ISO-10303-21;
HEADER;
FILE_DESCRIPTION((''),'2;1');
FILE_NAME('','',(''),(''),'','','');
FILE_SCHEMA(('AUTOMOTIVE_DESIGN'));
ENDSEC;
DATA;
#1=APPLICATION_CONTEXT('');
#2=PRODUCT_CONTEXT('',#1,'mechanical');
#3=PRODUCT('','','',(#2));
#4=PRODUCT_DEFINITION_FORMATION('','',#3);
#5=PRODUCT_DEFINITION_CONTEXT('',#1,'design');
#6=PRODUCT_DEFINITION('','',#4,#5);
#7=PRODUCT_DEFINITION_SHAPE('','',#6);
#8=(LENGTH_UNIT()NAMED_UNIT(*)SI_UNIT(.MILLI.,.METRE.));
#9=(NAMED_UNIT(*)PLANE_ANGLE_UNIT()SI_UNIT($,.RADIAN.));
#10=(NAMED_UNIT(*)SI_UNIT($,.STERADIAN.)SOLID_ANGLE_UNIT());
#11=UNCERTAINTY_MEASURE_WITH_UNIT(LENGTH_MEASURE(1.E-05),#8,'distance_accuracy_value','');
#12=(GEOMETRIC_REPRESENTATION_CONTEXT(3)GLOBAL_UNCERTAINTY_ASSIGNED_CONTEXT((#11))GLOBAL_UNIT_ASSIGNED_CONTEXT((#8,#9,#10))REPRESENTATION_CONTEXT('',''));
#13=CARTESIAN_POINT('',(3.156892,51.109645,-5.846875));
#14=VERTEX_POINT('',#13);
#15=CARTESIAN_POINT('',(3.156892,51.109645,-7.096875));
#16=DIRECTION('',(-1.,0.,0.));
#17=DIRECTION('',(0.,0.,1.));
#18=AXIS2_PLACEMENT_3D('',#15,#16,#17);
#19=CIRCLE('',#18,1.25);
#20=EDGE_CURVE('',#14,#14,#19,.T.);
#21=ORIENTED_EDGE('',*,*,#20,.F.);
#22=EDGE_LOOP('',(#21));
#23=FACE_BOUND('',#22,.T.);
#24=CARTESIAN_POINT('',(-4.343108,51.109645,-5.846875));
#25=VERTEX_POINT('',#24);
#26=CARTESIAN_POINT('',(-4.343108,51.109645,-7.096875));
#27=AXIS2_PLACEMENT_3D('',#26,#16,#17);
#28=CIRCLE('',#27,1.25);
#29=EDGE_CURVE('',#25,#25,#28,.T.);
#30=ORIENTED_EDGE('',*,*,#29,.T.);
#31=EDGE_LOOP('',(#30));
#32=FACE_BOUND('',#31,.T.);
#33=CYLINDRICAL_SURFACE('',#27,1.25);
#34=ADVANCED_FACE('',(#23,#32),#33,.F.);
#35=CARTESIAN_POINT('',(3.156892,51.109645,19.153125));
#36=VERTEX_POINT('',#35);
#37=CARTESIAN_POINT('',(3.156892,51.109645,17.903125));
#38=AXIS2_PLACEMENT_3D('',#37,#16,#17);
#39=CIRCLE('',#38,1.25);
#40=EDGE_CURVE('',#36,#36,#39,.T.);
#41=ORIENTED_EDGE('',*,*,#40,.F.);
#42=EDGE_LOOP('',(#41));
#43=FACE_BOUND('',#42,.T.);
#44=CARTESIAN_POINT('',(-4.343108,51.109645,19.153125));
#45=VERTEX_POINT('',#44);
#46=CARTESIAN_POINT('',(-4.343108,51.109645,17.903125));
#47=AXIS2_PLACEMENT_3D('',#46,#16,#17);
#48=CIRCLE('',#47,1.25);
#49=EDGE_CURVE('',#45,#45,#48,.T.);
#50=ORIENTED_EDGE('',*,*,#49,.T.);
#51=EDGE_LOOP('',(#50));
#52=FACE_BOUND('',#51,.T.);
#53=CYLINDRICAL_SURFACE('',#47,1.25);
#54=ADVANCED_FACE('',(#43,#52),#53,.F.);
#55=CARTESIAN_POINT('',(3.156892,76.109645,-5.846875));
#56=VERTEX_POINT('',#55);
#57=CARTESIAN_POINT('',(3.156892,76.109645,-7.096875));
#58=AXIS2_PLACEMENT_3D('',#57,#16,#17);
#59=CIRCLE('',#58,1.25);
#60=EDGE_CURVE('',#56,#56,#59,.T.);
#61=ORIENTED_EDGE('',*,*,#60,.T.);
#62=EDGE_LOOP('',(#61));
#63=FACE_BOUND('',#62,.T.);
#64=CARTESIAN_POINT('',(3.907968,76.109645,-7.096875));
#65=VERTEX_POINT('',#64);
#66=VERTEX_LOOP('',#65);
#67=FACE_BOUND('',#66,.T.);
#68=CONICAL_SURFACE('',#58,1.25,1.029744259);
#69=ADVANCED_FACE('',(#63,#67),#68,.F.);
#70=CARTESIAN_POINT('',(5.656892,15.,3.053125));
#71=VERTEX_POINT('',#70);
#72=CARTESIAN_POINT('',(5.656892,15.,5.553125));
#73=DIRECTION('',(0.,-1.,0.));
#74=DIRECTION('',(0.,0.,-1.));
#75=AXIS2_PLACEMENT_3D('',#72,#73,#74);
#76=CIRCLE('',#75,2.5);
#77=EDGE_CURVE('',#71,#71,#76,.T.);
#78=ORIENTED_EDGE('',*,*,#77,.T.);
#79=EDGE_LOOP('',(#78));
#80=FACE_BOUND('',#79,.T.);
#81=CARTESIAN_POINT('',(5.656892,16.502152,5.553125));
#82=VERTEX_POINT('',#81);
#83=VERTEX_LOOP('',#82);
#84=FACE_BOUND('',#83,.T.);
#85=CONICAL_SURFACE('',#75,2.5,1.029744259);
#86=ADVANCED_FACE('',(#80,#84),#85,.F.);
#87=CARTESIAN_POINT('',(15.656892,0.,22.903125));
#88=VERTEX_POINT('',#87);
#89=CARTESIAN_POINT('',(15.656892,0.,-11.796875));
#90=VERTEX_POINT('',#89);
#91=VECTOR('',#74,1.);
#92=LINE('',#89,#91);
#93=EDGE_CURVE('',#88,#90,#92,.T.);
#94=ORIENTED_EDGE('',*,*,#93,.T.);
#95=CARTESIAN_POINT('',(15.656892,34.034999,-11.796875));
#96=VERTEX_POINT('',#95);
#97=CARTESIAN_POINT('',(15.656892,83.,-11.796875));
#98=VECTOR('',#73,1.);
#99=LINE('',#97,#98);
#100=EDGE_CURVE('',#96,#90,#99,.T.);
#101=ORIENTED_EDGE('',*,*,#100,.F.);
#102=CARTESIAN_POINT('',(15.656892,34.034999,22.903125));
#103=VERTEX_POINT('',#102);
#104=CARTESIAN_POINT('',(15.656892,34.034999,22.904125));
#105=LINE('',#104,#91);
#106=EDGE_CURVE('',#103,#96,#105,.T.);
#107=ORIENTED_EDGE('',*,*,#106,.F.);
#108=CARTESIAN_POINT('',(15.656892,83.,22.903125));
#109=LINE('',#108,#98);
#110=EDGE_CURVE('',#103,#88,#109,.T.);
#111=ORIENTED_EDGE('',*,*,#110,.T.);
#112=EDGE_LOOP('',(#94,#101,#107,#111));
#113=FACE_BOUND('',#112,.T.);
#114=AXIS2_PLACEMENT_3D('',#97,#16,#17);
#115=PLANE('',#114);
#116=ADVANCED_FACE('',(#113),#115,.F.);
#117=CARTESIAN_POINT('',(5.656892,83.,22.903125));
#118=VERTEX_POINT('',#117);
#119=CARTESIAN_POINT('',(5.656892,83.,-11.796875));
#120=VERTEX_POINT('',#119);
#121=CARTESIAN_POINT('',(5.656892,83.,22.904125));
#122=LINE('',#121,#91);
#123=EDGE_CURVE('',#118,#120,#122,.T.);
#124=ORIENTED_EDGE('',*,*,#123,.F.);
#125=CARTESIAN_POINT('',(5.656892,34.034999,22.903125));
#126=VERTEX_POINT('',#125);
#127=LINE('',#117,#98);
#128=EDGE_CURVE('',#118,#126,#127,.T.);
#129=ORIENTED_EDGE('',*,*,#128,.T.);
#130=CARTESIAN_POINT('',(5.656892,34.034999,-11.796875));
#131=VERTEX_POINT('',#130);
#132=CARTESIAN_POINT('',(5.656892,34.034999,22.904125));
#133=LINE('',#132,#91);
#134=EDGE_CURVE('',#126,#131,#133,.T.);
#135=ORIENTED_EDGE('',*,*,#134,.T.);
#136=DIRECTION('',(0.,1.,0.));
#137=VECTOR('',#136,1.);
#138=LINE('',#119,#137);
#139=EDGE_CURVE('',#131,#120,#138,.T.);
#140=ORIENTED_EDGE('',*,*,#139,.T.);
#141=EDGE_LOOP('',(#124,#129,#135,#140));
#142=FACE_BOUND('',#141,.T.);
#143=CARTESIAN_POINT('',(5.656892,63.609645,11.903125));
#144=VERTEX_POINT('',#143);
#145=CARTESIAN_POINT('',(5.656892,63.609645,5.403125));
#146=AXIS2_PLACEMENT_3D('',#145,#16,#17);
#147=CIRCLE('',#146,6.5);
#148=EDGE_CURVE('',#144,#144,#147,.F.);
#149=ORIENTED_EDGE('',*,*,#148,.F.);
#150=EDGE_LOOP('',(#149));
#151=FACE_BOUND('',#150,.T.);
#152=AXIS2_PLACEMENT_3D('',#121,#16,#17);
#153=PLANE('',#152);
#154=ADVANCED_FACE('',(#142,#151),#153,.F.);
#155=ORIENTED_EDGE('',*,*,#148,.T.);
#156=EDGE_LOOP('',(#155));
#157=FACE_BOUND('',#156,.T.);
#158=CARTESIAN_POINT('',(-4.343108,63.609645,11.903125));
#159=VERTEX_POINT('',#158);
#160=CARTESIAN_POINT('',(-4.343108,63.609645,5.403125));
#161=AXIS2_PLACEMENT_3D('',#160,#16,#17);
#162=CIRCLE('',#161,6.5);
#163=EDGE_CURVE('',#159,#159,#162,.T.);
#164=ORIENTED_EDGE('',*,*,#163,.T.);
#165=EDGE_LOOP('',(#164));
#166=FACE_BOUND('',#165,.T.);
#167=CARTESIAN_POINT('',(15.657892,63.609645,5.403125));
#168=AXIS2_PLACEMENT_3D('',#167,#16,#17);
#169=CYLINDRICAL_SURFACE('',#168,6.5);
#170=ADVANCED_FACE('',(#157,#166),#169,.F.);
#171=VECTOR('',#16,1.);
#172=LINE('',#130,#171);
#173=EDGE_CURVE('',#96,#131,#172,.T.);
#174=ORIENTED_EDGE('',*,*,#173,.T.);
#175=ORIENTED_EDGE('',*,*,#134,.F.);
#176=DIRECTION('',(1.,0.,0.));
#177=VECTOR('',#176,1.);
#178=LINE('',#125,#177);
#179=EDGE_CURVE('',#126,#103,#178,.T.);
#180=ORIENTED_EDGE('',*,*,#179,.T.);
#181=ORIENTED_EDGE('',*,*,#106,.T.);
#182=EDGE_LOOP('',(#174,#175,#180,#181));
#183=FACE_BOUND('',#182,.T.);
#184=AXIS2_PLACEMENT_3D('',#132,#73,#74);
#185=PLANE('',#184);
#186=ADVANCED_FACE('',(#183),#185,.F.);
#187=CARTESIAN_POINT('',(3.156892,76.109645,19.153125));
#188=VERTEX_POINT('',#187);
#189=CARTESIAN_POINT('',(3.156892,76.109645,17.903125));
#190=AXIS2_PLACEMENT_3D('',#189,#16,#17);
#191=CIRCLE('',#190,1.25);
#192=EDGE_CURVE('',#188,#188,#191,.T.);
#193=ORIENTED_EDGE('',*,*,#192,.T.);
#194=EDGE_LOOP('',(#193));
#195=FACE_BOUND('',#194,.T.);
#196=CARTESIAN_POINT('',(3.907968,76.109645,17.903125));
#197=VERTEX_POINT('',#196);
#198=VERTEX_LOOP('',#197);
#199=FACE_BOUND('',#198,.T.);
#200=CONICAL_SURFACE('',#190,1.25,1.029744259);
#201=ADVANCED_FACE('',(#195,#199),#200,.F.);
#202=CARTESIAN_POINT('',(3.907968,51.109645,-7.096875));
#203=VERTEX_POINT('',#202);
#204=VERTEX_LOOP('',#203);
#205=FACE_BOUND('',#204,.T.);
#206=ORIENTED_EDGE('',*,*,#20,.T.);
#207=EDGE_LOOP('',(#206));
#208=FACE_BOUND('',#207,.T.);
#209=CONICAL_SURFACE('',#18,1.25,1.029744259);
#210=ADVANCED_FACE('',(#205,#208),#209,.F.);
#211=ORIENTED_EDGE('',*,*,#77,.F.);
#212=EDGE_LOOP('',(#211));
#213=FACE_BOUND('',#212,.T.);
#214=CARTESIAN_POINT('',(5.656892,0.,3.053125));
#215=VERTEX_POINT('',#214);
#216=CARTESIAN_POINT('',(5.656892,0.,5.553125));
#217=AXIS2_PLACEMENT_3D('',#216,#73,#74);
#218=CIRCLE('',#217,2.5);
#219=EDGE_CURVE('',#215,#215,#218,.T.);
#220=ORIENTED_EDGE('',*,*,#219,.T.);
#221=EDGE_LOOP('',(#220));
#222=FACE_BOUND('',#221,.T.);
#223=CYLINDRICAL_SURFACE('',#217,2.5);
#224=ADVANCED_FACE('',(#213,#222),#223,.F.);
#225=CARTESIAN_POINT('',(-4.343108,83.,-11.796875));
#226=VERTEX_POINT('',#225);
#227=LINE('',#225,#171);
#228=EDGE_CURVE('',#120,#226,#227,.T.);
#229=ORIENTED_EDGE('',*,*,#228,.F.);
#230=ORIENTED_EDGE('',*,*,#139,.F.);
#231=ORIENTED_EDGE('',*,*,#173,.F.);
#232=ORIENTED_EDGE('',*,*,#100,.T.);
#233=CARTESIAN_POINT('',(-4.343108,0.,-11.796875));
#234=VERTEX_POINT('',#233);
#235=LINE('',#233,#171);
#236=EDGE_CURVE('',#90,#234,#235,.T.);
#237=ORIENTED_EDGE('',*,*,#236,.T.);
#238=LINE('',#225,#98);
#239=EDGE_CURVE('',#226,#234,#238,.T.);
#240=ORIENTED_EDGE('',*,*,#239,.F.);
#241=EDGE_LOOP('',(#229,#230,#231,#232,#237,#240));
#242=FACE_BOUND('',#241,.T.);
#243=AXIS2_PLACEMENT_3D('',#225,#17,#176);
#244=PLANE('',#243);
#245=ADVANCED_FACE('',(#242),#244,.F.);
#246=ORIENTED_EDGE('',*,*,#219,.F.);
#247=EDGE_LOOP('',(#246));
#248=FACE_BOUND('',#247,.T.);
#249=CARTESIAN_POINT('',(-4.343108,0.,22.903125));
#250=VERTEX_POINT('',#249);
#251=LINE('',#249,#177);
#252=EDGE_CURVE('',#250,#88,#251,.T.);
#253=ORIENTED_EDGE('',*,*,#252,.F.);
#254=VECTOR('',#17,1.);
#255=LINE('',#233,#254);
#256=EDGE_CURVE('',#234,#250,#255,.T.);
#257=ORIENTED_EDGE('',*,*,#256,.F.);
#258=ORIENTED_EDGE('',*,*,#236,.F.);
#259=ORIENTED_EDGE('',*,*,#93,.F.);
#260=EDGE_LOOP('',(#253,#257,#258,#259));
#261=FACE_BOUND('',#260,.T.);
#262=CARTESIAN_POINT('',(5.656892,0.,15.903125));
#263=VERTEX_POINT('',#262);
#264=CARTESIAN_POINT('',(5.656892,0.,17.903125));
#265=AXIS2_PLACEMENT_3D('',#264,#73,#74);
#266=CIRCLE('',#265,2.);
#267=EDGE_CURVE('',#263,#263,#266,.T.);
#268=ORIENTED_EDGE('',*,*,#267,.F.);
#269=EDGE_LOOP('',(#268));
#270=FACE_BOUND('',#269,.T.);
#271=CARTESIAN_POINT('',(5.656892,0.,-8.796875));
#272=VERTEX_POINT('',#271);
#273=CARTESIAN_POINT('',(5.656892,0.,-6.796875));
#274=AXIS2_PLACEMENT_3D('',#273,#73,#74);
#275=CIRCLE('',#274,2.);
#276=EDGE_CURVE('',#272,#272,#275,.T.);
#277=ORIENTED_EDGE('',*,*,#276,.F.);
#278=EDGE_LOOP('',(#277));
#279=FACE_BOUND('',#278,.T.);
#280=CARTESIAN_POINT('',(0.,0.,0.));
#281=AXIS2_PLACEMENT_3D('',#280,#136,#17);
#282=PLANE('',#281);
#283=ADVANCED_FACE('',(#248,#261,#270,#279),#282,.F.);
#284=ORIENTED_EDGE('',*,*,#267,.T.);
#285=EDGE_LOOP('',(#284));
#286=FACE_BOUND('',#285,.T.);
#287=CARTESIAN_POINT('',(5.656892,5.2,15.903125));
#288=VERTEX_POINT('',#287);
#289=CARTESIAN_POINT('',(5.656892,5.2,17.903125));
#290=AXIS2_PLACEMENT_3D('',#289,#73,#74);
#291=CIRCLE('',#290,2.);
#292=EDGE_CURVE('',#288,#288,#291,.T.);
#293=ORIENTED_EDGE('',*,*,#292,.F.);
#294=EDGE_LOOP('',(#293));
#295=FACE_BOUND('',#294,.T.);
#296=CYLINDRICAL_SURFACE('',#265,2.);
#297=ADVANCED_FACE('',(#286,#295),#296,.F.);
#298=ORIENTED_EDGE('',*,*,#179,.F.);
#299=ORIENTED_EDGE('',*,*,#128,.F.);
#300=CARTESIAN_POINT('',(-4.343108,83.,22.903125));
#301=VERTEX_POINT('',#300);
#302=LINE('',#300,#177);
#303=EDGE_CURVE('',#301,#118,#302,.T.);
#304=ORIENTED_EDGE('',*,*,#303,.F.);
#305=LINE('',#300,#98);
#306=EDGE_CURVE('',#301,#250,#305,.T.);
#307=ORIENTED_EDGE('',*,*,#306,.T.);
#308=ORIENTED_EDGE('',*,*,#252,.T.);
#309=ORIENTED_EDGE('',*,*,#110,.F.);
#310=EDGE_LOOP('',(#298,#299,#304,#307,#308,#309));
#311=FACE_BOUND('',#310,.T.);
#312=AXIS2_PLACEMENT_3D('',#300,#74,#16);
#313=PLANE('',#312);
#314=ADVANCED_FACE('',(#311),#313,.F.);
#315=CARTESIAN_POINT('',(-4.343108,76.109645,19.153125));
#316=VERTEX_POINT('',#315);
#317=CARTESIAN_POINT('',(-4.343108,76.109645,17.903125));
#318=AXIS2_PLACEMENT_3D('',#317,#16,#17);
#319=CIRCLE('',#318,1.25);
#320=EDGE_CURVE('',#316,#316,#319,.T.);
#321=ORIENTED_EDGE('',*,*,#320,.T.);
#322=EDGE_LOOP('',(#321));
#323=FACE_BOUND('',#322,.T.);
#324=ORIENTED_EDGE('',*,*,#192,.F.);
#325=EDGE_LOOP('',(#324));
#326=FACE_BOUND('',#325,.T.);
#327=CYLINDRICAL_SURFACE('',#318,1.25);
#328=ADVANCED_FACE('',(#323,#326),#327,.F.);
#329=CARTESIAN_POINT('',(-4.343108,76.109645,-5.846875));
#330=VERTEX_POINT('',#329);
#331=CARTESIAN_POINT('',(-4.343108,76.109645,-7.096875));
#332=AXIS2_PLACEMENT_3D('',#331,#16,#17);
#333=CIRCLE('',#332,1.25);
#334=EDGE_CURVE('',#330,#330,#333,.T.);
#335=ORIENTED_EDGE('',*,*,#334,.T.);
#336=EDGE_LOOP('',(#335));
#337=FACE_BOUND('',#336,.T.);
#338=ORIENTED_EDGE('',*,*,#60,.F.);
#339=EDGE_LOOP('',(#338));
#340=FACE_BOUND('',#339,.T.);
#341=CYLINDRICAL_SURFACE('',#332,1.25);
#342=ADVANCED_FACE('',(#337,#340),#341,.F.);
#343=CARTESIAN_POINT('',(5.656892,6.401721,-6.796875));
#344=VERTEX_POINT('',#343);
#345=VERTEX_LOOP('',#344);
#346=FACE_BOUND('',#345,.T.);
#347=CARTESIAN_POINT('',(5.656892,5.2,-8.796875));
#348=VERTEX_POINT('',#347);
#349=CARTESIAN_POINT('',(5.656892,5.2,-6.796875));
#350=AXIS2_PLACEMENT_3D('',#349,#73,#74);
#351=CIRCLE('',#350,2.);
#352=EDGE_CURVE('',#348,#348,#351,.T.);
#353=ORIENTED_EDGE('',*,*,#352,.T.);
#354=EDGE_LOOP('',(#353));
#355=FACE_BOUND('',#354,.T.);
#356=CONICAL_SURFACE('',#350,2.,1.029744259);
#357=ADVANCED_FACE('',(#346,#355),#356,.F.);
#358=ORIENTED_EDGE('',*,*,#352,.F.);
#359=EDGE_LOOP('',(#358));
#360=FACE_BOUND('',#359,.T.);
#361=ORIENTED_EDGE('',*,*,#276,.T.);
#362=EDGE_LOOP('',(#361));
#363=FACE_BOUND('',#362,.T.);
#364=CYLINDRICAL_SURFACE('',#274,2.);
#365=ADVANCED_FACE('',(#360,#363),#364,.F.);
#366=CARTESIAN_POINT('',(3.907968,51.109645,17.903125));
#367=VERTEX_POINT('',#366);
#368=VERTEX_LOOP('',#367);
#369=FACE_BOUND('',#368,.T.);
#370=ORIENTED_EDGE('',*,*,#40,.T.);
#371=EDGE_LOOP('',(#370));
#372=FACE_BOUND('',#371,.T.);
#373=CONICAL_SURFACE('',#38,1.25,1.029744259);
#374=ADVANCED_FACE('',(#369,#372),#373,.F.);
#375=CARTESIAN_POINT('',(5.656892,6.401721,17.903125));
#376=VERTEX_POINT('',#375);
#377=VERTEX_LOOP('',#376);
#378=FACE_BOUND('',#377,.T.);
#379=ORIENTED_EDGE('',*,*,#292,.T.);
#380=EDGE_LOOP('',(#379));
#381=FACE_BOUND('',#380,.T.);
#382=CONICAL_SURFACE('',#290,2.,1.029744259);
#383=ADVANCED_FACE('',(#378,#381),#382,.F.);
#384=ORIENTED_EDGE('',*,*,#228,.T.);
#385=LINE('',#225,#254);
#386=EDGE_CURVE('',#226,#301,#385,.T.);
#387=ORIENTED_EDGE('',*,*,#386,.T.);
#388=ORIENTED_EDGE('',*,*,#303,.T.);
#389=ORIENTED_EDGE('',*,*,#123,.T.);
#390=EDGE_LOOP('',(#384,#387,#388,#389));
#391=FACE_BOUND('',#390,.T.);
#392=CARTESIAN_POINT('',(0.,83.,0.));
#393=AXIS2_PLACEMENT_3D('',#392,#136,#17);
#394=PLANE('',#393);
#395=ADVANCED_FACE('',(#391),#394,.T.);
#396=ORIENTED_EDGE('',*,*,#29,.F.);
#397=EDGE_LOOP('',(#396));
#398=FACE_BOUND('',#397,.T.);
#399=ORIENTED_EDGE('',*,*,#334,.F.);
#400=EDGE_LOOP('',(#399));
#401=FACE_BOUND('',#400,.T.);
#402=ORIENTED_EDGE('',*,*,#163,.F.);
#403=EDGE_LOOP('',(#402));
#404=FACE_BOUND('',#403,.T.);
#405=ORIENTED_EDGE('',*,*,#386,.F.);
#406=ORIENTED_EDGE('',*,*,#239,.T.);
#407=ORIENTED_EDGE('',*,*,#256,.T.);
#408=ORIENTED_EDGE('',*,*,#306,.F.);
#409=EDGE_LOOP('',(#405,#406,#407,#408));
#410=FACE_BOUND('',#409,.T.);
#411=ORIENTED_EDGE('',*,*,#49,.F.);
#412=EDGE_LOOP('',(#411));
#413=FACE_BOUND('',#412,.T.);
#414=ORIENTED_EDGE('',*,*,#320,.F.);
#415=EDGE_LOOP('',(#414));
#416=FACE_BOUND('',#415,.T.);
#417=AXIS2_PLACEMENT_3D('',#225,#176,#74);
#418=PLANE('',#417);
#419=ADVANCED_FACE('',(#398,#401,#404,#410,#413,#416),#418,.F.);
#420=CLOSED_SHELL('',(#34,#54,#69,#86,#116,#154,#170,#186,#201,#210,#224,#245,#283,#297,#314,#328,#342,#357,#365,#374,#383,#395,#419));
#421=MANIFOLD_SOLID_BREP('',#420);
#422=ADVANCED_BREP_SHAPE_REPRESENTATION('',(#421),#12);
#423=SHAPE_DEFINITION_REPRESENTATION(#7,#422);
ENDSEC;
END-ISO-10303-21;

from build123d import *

# Parameters (mm, degrees)
SKETCH1_W                 = 20
SKETCH1_H                 = 34.7
BOSS_EXTRUDE1_DEPTH       = 83
CUT_EXTRUDE2_REACH        = 36.7
SKETCH3_W                 = 10
SKETCH3_H                 = 48.965000852
CUT_EXTRUDE3_REACH        = 22
SKETCH4_R                 = 6.5
M3X0_5_TAPPED_HOLE1_D     = 2.5
M3X0_5_TAPPED_HOLE1_DEPTH = 7.5
M3X0_5_TAPPED_HOLE1_TIP   = 0.751075774
M6X1_0_TAPPED_HOLE1_D     = 5
M6X1_0_TAPPED_HOLE1_DEPTH = 15
M6X1_0_TAPPED_HOLE1_TIP   = 1.502151548
F_4_0MM_DOWEL_HOLE1_D     = 4
F_4_0MM_DOWEL_HOLE1_DEPTH = 5.2
F_4_0MM_DOWEL_HOLE1_TIP   = 1.201721238


with BuildPart() as part:
    # Sketch1 → Boss-Extrude1 (new body)
    with BuildSketch(Plane(origin=(0, 0, 0), x_dir=(1, 0, 0), z_dir=(0, 1, 0))):
        with Locations((5.656892123, -5.553125)):
            Rectangle(SKETCH1_W, SKETCH1_H)
    extrude(amount=BOSS_EXTRUDE1_DEPTH)

    # Sketch3 → Cut-Extrude2 (cut, up to next)
    with BuildSketch(Plane(origin=(0, 0, -11.796875), x_dir=(-1, 0, 0), z_dir=(0, 0, -1)), mode=Mode.PRIVATE) as cut_extrude2_sk1:
        with Locations((-10.656892123, 58.517499574)):
            Rectangle(SKETCH3_W, SKETCH3_H)
    cut_extrude2_tool1 = extrude(cut_extrude2_sk1.sketch, amount=-CUT_EXTRUDE2_REACH, mode=Mode.PRIVATE) & part.part
    add(cut_extrude2_tool1.solids().sort_by_distance((10.656892, 58.5175, -11.796875))[0], mode=Mode.SUBTRACT)

    # Sketch4 → Cut-Extrude3 (cut, up to next)
    with BuildSketch(Plane.ZY.offset(4.343107877), mode=Mode.PRIVATE) as cut_extrude3_sk1:
        with Locations((5.403125, 63.609645263)):
            Circle(SKETCH4_R)
    cut_extrude3_tool1 = extrude(cut_extrude3_sk1.sketch, amount=-CUT_EXTRUDE3_REACH, mode=Mode.PRIVATE) & part.part
    add(cut_extrude3_tool1.solids().sort_by_distance((-4.343108, 63.609645, 5.403125))[0], mode=Mode.SUBTRACT)

    # M3x0.5 Tapped Hole1
    with Locations(Plane.ZY.offset(4.343107877)):
        with Locations((-7.096875, 51.109645263), (17.903125, 51.109645263), (17.903125, 76.109645263), (-7.096875, 76.109645263)):
            Hole(M3X0_5_TAPPED_HOLE1_D / 2, depth=M3X0_5_TAPPED_HOLE1_DEPTH)
            with Locations((0, 0, -(M3X0_5_TAPPED_HOLE1_DEPTH + M3X0_5_TAPPED_HOLE1_TIP / 2))):  # 118° drill point
                Cone(0, M3X0_5_TAPPED_HOLE1_D / 2, M3X0_5_TAPPED_HOLE1_TIP, mode=Mode.SUBTRACT)

    # M6x1.0 Tapped Hole1
    with Locations(Plane(origin=(0, 0, 0), x_dir=(-1, 0, 0), z_dir=(0, -1, 0))):
        with Locations((-5.656892123, -5.553125)):
            Hole(M6X1_0_TAPPED_HOLE1_D / 2, depth=M6X1_0_TAPPED_HOLE1_DEPTH)
            with Locations((0, 0, -(M6X1_0_TAPPED_HOLE1_DEPTH + M6X1_0_TAPPED_HOLE1_TIP / 2))):  # 118° drill point
                Cone(0, M6X1_0_TAPPED_HOLE1_D / 2, M6X1_0_TAPPED_HOLE1_TIP, mode=Mode.SUBTRACT)

    # Ø4.0mm Dowel Hole1
    with Locations(Plane(origin=(0, 0, 0), x_dir=(-1, 0, 0), z_dir=(0, -1, 0))):
        with Locations((-5.656892123, -17.903125), (-5.656892123, 6.796875)):
            Hole(F_4_0MM_DOWEL_HOLE1_D / 2, depth=F_4_0MM_DOWEL_HOLE1_DEPTH)
            with Locations((0, 0, -(F_4_0MM_DOWEL_HOLE1_DEPTH + F_4_0MM_DOWEL_HOLE1_TIP / 2))):  # 118° drill point
                Cone(0, F_4_0MM_DOWEL_HOLE1_D / 2, F_4_0MM_DOWEL_HOLE1_TIP, mode=Mode.SUBTRACT)


solid = part.part
